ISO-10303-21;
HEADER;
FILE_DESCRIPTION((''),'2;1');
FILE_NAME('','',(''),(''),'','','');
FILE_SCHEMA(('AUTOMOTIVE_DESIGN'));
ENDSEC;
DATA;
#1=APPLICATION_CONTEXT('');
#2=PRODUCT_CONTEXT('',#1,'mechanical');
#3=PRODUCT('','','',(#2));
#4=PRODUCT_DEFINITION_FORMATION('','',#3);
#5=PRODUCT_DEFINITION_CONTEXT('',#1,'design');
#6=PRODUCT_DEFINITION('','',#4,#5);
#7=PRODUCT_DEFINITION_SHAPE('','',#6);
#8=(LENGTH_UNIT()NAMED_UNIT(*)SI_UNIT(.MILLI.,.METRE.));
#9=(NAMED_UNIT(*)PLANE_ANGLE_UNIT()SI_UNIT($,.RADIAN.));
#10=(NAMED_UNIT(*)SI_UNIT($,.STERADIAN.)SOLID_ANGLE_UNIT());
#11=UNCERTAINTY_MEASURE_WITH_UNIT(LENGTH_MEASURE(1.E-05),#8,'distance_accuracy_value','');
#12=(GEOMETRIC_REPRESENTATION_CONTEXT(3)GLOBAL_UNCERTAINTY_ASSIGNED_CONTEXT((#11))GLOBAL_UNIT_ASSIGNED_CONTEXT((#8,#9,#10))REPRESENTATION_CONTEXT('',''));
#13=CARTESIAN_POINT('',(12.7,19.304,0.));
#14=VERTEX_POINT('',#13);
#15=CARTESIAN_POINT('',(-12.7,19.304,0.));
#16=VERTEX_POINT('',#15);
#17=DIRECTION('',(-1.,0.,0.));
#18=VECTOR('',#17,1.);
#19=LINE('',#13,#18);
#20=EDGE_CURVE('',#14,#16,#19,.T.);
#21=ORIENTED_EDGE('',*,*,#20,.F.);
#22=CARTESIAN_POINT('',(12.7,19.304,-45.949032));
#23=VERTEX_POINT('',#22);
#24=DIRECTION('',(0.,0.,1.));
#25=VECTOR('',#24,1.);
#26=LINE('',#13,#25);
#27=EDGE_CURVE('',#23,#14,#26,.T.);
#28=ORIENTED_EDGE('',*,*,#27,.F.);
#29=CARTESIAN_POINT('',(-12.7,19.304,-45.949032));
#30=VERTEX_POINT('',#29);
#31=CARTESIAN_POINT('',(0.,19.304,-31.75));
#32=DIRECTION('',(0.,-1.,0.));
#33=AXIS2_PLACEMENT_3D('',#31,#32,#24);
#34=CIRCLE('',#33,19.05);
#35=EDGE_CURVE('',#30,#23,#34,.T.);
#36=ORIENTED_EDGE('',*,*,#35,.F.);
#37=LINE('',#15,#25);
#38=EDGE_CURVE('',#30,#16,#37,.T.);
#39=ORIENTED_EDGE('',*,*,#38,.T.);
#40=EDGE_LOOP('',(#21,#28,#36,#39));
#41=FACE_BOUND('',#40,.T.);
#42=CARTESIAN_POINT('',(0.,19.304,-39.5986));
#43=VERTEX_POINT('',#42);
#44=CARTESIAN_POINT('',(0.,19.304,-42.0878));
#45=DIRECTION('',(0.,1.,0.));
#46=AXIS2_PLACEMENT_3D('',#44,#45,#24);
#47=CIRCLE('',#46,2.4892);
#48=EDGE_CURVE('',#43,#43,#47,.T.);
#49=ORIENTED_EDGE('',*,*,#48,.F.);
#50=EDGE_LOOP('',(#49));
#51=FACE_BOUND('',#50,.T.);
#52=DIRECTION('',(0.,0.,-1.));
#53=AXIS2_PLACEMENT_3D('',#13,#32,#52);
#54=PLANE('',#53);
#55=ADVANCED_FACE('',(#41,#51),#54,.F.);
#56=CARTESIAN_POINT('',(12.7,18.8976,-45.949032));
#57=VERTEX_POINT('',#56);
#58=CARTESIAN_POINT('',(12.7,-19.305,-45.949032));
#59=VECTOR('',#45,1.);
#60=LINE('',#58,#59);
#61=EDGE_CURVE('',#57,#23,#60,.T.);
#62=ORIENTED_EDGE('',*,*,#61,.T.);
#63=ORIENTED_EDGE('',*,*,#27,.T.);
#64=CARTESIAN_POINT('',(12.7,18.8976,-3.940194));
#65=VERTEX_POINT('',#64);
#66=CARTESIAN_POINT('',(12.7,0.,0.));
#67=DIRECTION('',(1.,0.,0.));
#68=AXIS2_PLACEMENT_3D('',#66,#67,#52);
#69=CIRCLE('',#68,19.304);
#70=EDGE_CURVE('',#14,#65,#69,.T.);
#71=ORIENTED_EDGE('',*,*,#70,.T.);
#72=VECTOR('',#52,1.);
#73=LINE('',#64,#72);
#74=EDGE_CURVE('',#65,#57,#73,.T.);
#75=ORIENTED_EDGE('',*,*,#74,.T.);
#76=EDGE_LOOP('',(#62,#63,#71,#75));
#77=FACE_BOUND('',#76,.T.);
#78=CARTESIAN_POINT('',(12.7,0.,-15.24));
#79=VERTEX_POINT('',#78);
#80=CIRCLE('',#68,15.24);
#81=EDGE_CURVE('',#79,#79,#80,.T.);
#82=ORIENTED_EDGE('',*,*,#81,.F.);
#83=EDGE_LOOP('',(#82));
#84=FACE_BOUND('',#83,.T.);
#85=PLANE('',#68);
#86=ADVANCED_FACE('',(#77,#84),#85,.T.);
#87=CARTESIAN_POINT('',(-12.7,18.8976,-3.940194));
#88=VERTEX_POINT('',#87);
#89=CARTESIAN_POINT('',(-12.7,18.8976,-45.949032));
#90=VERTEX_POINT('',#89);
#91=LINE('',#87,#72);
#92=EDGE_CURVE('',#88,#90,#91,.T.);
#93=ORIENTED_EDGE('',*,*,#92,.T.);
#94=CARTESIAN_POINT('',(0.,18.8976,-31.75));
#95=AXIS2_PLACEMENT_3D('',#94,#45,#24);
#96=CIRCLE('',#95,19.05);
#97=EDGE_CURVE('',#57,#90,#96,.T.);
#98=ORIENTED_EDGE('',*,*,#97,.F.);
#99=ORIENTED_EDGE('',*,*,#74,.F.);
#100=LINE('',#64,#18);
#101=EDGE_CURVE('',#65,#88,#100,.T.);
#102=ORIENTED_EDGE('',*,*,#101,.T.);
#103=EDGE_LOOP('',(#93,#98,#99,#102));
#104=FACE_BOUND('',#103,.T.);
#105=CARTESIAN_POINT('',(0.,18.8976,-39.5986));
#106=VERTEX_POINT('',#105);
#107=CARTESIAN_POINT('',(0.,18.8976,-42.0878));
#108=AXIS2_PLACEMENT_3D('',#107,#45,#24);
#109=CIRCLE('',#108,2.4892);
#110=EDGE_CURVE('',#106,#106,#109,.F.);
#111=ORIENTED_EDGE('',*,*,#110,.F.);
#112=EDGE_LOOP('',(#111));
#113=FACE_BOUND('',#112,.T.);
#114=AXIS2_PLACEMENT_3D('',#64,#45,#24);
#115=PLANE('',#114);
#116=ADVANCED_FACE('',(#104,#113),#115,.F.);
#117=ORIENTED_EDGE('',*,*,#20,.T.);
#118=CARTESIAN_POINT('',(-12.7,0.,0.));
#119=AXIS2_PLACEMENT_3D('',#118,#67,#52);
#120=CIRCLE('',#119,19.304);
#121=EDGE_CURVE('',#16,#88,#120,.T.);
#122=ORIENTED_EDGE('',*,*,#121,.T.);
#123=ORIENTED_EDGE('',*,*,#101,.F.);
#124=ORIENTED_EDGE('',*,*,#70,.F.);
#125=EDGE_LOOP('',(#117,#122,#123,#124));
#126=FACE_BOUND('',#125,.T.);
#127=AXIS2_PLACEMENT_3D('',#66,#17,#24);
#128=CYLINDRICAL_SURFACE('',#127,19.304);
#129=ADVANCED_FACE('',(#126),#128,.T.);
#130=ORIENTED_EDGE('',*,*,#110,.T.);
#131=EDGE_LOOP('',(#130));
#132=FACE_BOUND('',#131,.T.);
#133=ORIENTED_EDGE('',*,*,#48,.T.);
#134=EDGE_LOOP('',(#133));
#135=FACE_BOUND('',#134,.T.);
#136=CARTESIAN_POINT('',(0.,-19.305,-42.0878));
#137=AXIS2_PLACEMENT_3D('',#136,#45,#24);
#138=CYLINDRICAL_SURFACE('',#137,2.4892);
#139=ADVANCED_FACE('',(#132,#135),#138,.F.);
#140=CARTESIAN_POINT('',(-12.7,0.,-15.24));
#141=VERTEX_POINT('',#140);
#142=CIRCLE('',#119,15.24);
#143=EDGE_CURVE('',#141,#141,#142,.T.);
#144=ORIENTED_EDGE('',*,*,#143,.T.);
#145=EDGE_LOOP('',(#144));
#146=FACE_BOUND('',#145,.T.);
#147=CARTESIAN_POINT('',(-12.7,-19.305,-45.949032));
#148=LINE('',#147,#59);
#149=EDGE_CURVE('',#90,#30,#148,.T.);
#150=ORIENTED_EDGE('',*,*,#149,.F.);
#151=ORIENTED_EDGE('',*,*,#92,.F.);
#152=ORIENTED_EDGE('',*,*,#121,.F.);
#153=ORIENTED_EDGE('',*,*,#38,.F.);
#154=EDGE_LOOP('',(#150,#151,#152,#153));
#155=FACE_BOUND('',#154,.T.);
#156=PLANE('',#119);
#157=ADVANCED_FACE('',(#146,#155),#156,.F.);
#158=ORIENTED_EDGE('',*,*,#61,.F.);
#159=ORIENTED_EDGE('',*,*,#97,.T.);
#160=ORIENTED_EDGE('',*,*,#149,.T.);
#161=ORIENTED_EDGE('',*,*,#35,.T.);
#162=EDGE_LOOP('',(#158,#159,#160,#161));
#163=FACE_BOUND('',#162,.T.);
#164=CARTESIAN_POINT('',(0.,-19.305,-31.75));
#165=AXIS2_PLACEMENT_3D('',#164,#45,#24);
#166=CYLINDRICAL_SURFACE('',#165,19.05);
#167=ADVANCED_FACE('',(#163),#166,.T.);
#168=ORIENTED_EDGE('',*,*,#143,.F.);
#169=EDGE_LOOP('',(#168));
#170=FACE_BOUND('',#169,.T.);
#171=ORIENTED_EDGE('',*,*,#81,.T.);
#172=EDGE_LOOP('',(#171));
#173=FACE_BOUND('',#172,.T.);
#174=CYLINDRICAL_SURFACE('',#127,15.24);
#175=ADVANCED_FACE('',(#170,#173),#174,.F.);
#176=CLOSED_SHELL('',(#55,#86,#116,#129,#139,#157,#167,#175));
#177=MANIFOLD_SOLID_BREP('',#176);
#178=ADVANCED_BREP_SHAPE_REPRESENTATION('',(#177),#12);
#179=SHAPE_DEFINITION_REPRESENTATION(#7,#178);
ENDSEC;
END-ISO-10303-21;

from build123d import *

# Parameters (mm, degrees)
SKETCH1_R           = 15.24
BOSS_EXTRUDE1_DEPTH = 12.7
ONEHOLE_START       = -0.4064
SKETCH2_R           = 2.4892
ONEHOLE_DEPTH       = 0.4064


with BuildPart() as part:
    # Sketch1 → Boss-Extrude1 (new, symmetric)
    with BuildSketch(Plane(origin=(0, 0, 0), x_dir=(0, 0, -1), z_dir=(1, 0, 0))):
        with BuildLine():
            Line((0, 19.304), (50.8, 19.304))
            Line((50.8, 19.304), (50.8, 18.8976))
            Line((50.8, 18.8976), (3.940194188, 18.8976))
            ThreePointArc((3.940194188, 18.8976), (-1.980548611, -19.202131215), (0, 19.304))
        make_face()
        Circle(SKETCH1_R, mode=Mode.SUBTRACT)
    extrude(amount=BOSS_EXTRUDE1_DEPTH, both=True)

    # Sketch2 → OneHole (cut)
    with BuildSketch(Plane(origin=(0, 19.304, 0), x_dir=(1, 0, 0), z_dir=(0, 1, 0)).offset(ONEHOLE_START)):
        with Locations(Location((0, 42.0878, 0), (0, 0, 270))):
            Circle(SKETCH2_R)
        with BuildLine():
            Line((-12.7, 45.949031657), (-12.7, 51.435))
            Line((-12.7, 51.435), (12.7, 51.435))
            Line((12.7, 51.435), (12.7, 45.949031657))
            ThreePointArc((12.7, 45.949031657), (0, 50.8), (-12.7, 45.949031657))
        make_face()
    extrude(amount=ONEHOLE_DEPTH, mode=Mode.SUBTRACT)


solid = part.part
